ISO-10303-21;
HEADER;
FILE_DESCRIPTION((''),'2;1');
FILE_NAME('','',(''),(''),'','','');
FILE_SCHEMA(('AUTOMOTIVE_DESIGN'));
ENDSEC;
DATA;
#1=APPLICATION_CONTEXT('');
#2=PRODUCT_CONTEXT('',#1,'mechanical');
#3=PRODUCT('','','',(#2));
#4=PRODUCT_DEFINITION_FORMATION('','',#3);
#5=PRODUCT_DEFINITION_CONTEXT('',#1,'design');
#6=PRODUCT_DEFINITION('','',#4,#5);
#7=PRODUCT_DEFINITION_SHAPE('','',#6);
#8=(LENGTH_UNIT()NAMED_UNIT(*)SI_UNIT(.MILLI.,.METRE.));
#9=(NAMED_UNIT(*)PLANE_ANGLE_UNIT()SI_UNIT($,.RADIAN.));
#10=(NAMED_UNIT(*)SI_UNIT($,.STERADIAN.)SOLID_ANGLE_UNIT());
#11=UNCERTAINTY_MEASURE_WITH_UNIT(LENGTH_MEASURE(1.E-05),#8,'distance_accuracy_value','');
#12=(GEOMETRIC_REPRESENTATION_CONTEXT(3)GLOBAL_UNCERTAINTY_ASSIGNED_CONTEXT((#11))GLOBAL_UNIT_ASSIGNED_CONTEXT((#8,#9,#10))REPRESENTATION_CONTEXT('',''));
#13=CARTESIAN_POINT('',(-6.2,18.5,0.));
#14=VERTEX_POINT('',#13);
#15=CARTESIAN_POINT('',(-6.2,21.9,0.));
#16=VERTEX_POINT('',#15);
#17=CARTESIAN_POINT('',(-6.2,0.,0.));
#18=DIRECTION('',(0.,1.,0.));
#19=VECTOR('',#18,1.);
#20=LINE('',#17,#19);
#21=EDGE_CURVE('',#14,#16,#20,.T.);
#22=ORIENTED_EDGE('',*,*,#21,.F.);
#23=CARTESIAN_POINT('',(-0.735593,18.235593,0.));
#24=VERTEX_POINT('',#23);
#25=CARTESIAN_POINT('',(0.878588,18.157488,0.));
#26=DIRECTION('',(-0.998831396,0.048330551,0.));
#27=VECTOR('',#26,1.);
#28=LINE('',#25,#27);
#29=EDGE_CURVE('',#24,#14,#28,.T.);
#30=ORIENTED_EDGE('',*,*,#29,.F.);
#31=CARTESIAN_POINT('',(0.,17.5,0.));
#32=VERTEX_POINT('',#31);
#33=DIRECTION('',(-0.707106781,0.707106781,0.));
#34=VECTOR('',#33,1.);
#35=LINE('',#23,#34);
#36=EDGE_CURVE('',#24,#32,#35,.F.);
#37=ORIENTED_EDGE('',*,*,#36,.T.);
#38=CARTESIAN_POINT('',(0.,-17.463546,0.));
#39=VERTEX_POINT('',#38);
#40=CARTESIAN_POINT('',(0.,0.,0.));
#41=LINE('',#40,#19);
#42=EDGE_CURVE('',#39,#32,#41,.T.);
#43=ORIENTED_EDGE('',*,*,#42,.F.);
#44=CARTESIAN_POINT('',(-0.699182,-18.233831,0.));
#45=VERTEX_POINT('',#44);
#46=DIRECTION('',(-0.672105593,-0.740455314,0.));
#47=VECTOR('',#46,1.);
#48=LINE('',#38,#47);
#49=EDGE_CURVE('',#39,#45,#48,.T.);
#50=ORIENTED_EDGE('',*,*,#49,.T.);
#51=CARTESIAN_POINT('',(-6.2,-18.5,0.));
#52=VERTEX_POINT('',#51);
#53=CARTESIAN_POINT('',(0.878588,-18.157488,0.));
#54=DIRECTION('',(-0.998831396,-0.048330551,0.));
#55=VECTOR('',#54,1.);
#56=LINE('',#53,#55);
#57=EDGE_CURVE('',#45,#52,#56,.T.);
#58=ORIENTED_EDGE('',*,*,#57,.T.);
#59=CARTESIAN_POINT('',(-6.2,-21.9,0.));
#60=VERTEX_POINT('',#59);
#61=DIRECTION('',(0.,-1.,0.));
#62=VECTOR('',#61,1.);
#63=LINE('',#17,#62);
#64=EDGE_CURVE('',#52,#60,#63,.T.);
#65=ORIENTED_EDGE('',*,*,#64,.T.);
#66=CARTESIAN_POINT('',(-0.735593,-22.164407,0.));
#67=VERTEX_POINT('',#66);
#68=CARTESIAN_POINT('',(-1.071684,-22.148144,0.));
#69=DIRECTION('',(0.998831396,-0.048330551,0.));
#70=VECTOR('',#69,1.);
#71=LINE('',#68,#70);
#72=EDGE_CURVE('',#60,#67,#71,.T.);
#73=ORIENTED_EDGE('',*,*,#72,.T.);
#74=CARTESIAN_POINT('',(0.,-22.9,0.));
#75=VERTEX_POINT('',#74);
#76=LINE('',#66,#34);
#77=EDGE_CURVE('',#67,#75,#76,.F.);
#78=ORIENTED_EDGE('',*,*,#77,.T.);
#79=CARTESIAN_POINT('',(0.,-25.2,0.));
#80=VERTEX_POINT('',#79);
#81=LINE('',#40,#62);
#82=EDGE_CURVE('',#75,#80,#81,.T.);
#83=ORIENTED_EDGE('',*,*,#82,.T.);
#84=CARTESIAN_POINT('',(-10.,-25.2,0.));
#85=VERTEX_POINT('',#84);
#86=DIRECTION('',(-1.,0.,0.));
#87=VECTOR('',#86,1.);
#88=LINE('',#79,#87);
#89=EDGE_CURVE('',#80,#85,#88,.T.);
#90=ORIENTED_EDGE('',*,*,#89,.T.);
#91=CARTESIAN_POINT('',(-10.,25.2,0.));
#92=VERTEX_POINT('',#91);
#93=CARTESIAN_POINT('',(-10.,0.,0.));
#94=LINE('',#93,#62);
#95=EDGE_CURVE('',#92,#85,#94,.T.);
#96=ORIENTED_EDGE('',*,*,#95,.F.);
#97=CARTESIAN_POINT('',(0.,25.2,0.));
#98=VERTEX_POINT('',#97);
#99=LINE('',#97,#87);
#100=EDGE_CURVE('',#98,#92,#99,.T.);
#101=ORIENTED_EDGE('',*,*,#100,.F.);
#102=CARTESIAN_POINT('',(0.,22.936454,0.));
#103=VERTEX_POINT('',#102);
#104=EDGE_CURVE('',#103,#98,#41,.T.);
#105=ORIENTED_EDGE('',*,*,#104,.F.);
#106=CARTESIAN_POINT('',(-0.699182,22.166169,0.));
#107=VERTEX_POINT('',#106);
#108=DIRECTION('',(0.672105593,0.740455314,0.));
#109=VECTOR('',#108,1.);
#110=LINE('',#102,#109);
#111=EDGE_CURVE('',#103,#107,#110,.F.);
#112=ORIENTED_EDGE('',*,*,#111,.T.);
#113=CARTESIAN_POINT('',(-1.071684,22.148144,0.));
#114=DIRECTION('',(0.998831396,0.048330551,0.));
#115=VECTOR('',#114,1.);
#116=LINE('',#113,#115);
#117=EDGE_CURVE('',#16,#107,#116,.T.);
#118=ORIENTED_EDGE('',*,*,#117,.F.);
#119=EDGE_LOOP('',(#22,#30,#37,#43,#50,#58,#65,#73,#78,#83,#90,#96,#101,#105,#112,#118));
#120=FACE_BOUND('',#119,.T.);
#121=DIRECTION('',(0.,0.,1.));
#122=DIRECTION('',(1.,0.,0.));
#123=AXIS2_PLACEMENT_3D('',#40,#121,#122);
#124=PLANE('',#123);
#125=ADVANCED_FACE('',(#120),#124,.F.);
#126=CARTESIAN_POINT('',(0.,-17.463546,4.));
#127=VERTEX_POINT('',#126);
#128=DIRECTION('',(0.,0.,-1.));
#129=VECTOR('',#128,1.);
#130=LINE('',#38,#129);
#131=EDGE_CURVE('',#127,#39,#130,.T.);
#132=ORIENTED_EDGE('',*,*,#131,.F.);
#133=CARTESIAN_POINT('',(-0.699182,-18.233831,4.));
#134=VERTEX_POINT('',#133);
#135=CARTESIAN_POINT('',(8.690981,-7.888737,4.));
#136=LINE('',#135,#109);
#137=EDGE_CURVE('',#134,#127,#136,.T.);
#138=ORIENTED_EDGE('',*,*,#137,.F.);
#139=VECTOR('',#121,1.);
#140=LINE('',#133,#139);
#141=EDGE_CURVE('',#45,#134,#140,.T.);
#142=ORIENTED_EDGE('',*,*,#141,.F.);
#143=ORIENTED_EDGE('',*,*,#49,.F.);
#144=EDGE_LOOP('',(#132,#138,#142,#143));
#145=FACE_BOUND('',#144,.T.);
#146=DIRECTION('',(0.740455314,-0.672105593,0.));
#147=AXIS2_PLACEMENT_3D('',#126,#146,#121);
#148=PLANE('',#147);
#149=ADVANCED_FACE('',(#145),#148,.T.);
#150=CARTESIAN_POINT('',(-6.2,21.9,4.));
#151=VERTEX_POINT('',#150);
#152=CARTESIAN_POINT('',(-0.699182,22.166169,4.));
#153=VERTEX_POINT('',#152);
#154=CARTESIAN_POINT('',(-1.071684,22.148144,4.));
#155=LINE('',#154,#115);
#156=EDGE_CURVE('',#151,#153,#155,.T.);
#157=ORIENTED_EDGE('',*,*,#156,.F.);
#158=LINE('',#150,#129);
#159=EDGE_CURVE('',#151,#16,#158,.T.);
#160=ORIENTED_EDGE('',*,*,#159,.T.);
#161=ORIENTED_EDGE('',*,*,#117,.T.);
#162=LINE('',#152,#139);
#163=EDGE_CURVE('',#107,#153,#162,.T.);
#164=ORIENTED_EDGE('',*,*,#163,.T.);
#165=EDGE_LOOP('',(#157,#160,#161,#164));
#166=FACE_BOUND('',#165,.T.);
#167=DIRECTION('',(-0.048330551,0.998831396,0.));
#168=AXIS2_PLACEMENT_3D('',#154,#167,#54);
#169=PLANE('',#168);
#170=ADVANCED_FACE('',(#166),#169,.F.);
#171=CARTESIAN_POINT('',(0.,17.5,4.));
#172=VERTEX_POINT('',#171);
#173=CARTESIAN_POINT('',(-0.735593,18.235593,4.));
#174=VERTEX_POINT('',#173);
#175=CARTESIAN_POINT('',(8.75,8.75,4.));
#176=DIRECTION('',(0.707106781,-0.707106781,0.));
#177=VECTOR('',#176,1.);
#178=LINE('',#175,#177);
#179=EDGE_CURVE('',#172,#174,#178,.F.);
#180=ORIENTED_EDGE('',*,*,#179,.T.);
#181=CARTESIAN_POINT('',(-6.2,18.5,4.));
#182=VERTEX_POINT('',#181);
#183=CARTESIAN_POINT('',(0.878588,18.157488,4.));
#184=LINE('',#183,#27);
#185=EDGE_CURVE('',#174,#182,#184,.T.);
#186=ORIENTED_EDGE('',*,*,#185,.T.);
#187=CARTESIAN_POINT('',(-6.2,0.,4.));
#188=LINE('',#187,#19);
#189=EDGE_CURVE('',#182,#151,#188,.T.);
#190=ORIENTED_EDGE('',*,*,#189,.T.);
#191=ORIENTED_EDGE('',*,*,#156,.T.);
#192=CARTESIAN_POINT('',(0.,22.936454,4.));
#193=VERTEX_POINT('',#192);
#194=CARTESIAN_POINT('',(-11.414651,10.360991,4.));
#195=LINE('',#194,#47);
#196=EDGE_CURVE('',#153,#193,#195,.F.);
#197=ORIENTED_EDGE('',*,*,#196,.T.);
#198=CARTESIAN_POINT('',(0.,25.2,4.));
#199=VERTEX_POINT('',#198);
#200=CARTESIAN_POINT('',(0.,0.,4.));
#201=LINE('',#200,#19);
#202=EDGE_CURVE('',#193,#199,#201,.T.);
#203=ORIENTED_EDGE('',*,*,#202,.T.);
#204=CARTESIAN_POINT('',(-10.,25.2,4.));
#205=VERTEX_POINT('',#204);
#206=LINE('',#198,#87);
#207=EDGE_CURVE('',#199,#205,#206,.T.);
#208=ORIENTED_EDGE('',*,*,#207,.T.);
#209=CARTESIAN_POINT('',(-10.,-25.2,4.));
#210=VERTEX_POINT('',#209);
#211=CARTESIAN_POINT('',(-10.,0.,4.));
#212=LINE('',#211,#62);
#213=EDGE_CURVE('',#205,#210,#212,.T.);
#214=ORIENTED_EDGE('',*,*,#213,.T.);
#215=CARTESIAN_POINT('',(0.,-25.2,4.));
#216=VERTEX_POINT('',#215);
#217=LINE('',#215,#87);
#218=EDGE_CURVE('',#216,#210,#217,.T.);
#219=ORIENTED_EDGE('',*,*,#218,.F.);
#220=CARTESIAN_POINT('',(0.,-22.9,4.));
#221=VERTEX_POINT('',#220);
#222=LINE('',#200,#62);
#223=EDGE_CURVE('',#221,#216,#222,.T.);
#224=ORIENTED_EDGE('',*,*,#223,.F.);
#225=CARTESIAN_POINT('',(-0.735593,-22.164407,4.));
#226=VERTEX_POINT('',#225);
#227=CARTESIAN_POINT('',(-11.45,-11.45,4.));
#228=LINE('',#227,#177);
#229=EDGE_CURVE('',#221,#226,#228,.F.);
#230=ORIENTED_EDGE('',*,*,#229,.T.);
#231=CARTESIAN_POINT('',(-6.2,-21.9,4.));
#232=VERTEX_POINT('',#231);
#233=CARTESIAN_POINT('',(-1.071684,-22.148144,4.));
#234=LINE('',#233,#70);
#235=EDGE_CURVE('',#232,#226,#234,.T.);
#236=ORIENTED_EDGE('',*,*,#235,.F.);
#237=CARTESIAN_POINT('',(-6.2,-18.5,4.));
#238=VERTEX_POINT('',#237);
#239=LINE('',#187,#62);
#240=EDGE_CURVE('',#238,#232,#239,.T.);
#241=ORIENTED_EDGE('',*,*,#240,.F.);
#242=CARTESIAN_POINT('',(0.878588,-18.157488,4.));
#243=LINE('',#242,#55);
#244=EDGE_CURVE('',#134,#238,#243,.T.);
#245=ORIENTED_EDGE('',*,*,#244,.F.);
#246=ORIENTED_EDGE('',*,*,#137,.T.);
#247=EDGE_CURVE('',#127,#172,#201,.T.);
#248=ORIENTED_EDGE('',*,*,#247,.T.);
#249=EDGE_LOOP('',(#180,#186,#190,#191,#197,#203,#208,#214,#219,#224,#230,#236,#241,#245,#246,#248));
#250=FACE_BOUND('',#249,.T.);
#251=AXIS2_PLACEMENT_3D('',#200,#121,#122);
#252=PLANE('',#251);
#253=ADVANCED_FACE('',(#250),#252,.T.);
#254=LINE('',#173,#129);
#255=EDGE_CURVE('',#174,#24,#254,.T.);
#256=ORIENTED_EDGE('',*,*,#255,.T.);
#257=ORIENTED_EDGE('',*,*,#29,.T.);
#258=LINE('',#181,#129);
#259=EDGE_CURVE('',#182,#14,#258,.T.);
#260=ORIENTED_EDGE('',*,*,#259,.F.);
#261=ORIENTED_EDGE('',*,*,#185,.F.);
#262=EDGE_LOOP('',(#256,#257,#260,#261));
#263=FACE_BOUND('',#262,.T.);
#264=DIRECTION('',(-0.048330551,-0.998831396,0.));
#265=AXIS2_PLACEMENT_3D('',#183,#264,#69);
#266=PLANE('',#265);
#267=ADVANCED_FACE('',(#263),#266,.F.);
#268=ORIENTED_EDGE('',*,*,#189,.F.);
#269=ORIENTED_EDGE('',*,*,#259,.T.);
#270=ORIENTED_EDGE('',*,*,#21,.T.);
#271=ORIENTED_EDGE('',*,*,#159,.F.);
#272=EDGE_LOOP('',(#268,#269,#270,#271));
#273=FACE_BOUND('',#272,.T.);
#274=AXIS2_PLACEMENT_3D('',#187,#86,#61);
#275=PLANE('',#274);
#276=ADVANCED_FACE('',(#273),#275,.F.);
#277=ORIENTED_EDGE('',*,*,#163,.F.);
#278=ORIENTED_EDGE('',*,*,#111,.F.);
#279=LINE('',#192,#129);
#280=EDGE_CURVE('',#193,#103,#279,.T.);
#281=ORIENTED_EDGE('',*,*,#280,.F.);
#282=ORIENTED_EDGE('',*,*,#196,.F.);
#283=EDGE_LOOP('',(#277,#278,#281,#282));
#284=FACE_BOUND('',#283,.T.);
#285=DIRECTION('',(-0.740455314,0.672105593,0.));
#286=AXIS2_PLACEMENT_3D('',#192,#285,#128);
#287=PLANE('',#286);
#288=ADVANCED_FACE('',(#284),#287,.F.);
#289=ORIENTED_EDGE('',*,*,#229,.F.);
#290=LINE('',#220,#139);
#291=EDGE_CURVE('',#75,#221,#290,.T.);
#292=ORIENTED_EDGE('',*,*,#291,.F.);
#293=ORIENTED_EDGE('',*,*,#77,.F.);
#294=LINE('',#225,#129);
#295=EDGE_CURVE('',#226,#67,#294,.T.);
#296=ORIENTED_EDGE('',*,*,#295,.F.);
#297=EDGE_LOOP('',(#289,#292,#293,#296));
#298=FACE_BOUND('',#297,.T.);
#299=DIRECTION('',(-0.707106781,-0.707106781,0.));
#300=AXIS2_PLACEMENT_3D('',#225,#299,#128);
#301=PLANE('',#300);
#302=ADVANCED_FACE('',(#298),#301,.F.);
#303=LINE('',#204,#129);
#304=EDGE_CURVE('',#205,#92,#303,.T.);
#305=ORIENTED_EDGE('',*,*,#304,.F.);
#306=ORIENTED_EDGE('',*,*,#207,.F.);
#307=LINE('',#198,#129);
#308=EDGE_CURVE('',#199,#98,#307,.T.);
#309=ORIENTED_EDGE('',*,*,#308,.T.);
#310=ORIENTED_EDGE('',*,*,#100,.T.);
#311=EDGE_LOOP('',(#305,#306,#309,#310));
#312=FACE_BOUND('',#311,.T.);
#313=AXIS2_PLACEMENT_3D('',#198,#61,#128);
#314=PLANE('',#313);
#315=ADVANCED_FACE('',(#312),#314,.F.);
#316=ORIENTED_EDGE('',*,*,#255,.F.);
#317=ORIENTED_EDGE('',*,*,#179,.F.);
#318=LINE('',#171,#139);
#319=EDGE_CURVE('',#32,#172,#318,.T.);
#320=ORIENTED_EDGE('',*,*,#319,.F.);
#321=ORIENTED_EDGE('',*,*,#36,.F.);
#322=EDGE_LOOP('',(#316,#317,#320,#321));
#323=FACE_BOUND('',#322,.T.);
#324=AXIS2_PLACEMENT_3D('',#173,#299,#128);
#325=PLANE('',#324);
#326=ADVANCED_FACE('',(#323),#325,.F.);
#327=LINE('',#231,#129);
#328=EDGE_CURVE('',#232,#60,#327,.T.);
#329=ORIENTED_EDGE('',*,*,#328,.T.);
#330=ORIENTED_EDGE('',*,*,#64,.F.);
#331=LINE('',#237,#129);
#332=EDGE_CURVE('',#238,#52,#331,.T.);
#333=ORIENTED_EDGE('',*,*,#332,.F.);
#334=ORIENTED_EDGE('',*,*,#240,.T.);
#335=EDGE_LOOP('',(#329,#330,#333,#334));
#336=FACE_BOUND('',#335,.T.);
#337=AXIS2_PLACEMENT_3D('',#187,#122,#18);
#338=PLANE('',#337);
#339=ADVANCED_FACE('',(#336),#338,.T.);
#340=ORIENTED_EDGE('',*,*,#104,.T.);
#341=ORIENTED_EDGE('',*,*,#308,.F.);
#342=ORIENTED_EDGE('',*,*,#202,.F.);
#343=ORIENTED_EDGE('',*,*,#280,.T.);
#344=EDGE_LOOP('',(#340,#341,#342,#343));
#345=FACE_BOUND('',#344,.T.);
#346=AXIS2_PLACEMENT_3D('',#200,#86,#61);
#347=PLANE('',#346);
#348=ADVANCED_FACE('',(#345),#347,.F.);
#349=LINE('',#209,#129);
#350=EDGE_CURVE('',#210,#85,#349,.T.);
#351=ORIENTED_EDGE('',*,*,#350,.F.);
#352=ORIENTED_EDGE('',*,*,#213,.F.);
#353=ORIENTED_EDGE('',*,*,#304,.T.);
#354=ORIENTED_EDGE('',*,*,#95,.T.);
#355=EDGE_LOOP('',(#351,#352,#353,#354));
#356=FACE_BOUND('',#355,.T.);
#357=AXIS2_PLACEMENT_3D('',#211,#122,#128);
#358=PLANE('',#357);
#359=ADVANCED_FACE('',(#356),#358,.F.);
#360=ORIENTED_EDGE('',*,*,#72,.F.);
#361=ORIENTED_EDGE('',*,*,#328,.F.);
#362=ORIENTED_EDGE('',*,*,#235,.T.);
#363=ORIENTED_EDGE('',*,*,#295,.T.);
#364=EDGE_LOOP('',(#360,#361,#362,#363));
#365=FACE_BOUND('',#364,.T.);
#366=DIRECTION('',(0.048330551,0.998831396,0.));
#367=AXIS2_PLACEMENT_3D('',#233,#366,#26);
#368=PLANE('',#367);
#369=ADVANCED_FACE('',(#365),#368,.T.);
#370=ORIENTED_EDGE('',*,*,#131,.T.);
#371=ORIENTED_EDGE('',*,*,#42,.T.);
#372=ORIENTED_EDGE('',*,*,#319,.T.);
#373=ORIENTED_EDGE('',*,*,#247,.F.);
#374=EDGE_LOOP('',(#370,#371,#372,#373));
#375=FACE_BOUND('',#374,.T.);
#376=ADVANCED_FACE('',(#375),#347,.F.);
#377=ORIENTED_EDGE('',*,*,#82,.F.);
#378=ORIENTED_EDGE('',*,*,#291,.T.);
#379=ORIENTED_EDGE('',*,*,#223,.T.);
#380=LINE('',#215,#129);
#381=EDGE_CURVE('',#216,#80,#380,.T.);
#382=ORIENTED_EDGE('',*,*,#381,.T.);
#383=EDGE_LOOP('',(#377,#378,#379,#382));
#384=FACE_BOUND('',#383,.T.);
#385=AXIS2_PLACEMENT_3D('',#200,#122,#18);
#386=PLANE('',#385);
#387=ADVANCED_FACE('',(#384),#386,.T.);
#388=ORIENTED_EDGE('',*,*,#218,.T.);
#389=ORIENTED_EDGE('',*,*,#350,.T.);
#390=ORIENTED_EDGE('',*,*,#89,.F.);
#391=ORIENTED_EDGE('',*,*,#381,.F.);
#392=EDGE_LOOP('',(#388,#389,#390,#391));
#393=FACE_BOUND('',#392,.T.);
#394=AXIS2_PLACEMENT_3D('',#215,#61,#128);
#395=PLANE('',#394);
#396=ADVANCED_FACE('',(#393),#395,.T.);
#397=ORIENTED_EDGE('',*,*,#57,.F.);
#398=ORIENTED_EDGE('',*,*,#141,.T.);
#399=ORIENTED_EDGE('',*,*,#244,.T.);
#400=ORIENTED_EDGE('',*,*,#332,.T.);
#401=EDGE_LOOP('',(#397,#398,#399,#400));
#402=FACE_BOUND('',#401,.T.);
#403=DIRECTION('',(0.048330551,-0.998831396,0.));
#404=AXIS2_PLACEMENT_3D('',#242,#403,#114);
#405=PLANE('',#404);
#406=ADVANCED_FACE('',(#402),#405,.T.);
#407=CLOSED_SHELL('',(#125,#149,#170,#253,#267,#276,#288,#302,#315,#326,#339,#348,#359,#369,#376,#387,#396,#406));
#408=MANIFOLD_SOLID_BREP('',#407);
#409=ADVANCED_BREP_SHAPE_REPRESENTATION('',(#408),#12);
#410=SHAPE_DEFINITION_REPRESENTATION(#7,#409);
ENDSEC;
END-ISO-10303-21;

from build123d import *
from OCP.BRepFilletAPI import BRepFilletAPI_MakeChamfer

# Parameters (mm, degrees)
BOSS_EXTRUDE1_DEPTH = 4
CHAMFER1_SIZE       = 0.7
CHAMFER1_SIZE2      = 0.736453843


with BuildPart() as part:
    # Sketch1 → Boss-Extrude1 (new body)
    with BuildSketch(Plane.XY):
        Polygon((-10, 0), (0, 0), (0, 18.2), (-6.2, 18.5), (-6.2, 21.9), (0, 22.2), (0, 25.2), (-10, 25.2), align=None)
        Polygon((-6.2, -18.5), (0, -18.2), (0, 0), (-10, 0), (-10, -25.2), (0, -25.2), (0, -22.2), (-6.2, -21.9), align=None)
    extrude(amount=BOSS_EXTRUDE1_DEPTH)

    # Chamfer1: one chamfer whose edges measure the first distance from different faces: ONE call of the kernel's chamfer builder (chamfer() names one face for all edges)
    chamfer1_edges_1 = [part.edges().sort_by_distance(p)[0] for p in [
        (0, 22.2, 2),
    ]]
    chamfer1_side_1 = [part.faces().sort_by_distance(p)[0] for p in [
        (-3.1, 22.05, 2),
    ]]
    chamfer1_edges_2 = [part.edges().sort_by_distance(p)[0] for p in [
        (0, 18.2, 2),
    ]]
    chamfer1_side_2 = [part.faces().sort_by_distance(p)[0] for p in [
        (0, 0, 2),
    ]]
    chamfer1_edges_3 = [part.edges().sort_by_distance(p)[0] for p in [
        (0, -18.2, 2),
    ]]
    chamfer1_side_3 = [part.faces().sort_by_distance(p)[0] for p in [
        (-3.1, -18.35, 2),
    ]]
    chamfer1_edges_4 = [part.edges().sort_by_distance(p)[0] for p in [
        (0, -22.2, 2),
    ]]
    chamfer1_side_4 = [part.faces().sort_by_distance(p)[0] for p in [
        (0, -23.7, 2),
    ]]
    chamfer1 = BRepFilletAPI_MakeChamfer(part.part.solid().wrapped)
    for e in chamfer1_edges_1:
        chamfer1.Add(CHAMFER1_SIZE, CHAMFER1_SIZE2, e.wrapped, chamfer1_side_1[0].wrapped)  # the first distance lies on this face
    for e in chamfer1_edges_2:
        chamfer1.Add(CHAMFER1_SIZE, CHAMFER1_SIZE2, e.wrapped, chamfer1_side_2[0].wrapped)  # the first distance lies on this face
    for e in chamfer1_edges_3:
        chamfer1.Add(CHAMFER1_SIZE, CHAMFER1_SIZE2, e.wrapped, chamfer1_side_3[0].wrapped)  # the first distance lies on this face
    for e in chamfer1_edges_4:
        chamfer1.Add(CHAMFER1_SIZE, CHAMFER1_SIZE2, e.wrapped, chamfer1_side_4[0].wrapped)  # the first distance lies on this face
    add(Compound.cast(chamfer1.Shape()), mode=Mode.REPLACE)


solid = part.part
